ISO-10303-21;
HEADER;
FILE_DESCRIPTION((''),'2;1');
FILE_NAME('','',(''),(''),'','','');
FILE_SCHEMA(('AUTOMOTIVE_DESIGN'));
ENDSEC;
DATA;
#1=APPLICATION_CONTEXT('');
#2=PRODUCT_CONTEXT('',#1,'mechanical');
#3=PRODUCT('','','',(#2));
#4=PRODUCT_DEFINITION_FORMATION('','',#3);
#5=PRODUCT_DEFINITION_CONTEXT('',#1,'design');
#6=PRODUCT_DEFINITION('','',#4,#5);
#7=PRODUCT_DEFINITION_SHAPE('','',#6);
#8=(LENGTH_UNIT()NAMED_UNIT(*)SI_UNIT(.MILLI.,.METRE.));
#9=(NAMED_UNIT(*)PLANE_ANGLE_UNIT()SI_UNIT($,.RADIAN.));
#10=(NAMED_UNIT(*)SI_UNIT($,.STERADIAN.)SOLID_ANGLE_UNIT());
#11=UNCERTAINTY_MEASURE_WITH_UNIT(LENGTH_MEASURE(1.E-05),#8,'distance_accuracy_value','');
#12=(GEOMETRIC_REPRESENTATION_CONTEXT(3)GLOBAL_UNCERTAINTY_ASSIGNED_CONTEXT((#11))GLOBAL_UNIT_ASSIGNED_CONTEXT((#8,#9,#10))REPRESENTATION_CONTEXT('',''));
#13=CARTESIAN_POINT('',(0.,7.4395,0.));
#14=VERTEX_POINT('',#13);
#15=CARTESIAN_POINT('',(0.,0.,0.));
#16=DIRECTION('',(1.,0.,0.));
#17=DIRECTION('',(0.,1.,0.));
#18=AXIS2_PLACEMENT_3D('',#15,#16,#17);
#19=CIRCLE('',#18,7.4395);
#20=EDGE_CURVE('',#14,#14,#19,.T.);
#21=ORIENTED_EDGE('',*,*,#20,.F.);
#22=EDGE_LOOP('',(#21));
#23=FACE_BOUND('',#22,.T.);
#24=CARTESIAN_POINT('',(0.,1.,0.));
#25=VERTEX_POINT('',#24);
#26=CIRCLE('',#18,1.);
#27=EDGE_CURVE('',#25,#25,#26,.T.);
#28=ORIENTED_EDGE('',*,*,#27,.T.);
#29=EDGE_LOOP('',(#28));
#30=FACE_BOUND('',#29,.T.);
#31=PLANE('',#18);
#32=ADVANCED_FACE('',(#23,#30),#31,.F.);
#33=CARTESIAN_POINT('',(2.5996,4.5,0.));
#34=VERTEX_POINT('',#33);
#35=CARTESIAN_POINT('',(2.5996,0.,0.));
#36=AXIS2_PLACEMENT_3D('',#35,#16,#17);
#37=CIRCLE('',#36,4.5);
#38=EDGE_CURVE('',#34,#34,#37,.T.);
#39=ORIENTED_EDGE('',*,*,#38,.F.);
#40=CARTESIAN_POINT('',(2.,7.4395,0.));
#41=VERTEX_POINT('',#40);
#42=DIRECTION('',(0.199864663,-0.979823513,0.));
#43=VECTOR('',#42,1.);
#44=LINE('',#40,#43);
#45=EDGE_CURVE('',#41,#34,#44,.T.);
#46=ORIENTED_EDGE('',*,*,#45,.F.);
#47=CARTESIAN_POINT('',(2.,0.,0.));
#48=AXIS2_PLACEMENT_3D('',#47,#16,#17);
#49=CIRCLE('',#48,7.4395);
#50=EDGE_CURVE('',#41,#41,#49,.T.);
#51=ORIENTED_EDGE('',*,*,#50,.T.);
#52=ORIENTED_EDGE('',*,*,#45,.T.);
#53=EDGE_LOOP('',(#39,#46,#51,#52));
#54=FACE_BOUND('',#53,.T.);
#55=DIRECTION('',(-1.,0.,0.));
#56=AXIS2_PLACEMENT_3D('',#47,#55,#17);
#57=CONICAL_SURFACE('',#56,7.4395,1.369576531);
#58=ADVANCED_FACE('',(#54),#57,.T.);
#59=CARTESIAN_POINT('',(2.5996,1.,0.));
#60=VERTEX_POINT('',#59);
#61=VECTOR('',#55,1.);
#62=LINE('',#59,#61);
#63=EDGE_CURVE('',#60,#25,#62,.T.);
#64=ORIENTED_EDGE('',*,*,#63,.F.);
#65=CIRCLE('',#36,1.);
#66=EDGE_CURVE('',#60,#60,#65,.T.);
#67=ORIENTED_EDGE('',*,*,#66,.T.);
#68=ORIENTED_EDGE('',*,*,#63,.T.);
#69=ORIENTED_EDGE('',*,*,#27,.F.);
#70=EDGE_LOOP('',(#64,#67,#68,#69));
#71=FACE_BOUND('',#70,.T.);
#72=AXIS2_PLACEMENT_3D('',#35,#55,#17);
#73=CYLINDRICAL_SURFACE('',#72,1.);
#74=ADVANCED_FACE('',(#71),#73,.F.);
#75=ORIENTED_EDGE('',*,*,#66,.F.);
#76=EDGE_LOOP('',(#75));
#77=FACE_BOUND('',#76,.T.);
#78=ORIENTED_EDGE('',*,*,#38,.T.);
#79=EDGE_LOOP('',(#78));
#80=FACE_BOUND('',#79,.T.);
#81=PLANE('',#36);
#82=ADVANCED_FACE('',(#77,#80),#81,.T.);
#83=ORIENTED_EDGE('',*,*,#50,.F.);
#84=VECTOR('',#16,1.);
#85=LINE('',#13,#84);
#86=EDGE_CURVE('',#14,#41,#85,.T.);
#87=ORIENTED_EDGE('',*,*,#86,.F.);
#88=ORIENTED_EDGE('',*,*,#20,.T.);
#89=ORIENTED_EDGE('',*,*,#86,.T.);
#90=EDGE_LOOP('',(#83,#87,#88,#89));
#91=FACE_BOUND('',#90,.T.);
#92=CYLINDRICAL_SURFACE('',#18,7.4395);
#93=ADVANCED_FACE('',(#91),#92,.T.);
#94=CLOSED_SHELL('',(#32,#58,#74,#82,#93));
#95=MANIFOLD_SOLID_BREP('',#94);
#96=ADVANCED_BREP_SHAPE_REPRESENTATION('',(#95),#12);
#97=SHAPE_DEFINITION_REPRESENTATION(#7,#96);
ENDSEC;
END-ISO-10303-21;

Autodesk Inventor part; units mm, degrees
ref_plane "YZ-Ebene" through (0, 0, 0) normal (1, 0, 0) x (0, 1, 0)
ref_plane "XZ-Ebene" through (0, 0, 0) normal (0, 1, 0) x (-1, 0, 0)
ref_plane "XY-Ebene" through (0, 0, 0) normal (0, 0, 1) x (1, 0, 0)
sketch "Skizze1" plane through (0, 0, 0) normal (0, 0, 1) x (1, 0, 0)
  line L0 (-0.5199, 0) -> (3.1196, 0) projected
  line L1 (0, -1.4879) -> (0, 8.9274) projected
  line L2 (0, 7.4395) -> (2, 7.4395)
  line L3 (2, 7.4395) -> (2.5996, 4.5)
  line L4 (2.5996, 4.5) -> (2.5996, 1)
  line L5 (2.5996, 1) -> (0, 1)
  point P0 (0, 0)
  dimension "d2" = 2
  dimension "d3" = 3
  dimension "d4" = 101.53
  dimension "d5" = 3.5
  dimension "d6" = 1
revolve "Umdrehung1" add sketch "Skizze1" angle 360 about axis through (-10, 0, 0) along (1, 0, 0)
properties part number "Propellerscheibe_ra8846s" material "Aluminium 6061"
